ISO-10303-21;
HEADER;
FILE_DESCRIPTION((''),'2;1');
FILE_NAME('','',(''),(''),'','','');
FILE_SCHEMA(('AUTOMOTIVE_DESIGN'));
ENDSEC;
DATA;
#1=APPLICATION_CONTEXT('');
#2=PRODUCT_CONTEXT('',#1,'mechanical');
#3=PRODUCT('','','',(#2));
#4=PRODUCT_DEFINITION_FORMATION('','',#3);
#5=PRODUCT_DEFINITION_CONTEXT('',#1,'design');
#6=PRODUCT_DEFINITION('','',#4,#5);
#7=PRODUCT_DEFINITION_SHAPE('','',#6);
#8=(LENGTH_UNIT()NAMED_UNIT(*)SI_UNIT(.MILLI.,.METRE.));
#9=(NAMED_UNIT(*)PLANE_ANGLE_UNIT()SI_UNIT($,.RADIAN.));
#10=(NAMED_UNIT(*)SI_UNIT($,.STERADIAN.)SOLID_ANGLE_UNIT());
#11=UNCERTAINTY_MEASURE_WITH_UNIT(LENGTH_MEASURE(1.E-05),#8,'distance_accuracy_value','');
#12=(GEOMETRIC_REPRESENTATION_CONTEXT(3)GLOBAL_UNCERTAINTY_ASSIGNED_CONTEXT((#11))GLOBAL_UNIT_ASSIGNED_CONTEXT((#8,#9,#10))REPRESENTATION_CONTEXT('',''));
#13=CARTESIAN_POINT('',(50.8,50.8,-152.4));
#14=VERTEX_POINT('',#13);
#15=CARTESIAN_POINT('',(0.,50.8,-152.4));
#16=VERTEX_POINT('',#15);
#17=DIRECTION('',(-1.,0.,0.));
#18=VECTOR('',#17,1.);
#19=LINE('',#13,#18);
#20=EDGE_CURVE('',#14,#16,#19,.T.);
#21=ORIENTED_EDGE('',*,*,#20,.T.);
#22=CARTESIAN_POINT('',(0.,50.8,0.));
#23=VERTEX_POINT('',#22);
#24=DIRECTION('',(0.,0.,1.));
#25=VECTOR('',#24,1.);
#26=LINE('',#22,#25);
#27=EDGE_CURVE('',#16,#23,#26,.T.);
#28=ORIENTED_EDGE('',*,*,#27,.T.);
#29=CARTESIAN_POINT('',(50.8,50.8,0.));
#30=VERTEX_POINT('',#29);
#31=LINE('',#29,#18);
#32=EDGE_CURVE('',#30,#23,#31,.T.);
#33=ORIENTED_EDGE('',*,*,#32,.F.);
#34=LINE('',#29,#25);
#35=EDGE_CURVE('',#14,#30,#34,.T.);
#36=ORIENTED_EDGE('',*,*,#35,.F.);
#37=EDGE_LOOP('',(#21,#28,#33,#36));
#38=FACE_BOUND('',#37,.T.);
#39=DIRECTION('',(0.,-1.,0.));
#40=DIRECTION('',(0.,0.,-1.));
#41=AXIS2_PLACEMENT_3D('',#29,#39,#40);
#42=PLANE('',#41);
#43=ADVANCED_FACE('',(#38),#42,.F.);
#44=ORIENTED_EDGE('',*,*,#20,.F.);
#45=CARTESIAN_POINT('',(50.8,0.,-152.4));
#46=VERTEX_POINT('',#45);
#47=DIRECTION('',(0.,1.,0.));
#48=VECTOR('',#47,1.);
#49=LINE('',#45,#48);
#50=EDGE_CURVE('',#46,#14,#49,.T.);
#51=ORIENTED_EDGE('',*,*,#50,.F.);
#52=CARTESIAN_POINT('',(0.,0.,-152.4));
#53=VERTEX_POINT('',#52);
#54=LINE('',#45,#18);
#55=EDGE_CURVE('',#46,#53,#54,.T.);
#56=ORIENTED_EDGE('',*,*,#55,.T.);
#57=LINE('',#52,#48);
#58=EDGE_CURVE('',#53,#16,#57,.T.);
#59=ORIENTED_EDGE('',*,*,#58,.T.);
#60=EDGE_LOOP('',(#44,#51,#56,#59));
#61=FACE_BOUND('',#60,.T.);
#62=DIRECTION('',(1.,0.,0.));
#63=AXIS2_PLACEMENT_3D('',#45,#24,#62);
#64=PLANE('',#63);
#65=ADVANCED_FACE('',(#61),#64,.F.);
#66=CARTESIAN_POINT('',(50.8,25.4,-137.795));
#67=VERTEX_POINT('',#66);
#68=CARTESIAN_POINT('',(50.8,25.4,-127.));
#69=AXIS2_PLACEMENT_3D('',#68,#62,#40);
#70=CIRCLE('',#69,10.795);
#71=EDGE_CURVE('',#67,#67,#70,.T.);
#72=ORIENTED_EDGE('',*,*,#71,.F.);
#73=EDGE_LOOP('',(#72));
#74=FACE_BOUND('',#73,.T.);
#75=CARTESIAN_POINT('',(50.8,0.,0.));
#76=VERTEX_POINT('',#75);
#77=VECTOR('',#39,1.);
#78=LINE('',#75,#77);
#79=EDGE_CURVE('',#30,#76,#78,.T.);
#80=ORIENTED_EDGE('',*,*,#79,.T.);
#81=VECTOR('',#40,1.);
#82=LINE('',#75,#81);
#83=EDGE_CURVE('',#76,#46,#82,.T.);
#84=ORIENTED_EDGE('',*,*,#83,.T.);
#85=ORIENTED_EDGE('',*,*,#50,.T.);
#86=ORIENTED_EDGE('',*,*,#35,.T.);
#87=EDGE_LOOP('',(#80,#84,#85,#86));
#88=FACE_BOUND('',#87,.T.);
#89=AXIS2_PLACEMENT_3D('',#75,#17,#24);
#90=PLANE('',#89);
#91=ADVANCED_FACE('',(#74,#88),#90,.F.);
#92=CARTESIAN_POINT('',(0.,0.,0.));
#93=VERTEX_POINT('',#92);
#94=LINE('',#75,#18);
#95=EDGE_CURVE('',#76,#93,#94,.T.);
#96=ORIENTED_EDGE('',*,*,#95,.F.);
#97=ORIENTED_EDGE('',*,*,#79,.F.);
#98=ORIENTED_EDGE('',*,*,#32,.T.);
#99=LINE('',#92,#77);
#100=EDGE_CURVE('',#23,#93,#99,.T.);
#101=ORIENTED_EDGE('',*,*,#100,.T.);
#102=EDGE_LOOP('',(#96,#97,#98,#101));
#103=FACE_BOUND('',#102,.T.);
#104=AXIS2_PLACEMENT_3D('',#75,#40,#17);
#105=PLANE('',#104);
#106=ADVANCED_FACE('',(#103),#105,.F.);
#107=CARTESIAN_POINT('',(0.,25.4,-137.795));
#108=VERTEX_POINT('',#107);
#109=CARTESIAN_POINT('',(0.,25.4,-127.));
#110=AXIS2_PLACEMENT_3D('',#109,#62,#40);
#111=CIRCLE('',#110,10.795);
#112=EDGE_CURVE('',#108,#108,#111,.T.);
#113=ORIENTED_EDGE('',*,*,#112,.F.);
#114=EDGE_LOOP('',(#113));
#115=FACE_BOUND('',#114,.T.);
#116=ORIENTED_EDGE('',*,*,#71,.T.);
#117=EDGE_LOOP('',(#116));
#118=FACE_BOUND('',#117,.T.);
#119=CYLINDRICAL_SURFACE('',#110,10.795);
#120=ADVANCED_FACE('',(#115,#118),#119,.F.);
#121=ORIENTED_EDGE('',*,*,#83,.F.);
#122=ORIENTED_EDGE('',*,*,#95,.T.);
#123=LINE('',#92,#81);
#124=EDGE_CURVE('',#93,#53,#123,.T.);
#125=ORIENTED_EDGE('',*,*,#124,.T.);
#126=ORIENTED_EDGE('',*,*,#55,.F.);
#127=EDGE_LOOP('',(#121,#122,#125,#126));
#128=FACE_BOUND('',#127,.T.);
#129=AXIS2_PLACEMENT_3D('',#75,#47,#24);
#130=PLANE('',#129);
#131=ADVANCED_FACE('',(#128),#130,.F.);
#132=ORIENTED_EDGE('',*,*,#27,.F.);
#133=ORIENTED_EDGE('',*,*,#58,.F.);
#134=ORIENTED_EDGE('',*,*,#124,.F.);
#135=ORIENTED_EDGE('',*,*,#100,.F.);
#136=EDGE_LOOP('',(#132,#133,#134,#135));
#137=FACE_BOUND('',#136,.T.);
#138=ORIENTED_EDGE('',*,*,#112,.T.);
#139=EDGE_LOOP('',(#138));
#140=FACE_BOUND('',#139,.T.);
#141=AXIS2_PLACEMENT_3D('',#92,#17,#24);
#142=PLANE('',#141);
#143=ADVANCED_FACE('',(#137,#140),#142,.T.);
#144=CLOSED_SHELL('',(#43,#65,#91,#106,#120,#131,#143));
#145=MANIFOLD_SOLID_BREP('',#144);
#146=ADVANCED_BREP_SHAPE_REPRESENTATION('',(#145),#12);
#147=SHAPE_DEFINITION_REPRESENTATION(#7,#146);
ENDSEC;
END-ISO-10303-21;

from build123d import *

# Parameters (mm, degrees)
SKETCH1_W           = 152.4
SKETCH1_H           = 50.8
BOSS_EXTRUDE1_DEPTH = 50.8
SKETCH2_R           = 10.795
CUT_EXTRUDE1_DEPTH  = 169.48453935


with BuildPart() as part:
    # Sketch1 → Boss-Extrude1 (new body)
    with BuildSketch(Plane(origin=(0, 0, 0), x_dir=(0, 0, -1), z_dir=(1, 0, 0))):
        with Locations((76.2, 25.4)):
            Rectangle(SKETCH1_W, SKETCH1_H)
    extrude(amount=BOSS_EXTRUDE1_DEPTH)

    # Sketch2 → Cut-Extrude1 (cut, through all)
    with BuildSketch(Plane(origin=(50.8, 0, 0), x_dir=(0, 0, -1), z_dir=(1, 0, 0))):
        with Locations((127, 25.4)):
            Circle(SKETCH2_R)
    extrude(amount=-CUT_EXTRUDE1_DEPTH, mode=Mode.SUBTRACT)


solid = part.part
